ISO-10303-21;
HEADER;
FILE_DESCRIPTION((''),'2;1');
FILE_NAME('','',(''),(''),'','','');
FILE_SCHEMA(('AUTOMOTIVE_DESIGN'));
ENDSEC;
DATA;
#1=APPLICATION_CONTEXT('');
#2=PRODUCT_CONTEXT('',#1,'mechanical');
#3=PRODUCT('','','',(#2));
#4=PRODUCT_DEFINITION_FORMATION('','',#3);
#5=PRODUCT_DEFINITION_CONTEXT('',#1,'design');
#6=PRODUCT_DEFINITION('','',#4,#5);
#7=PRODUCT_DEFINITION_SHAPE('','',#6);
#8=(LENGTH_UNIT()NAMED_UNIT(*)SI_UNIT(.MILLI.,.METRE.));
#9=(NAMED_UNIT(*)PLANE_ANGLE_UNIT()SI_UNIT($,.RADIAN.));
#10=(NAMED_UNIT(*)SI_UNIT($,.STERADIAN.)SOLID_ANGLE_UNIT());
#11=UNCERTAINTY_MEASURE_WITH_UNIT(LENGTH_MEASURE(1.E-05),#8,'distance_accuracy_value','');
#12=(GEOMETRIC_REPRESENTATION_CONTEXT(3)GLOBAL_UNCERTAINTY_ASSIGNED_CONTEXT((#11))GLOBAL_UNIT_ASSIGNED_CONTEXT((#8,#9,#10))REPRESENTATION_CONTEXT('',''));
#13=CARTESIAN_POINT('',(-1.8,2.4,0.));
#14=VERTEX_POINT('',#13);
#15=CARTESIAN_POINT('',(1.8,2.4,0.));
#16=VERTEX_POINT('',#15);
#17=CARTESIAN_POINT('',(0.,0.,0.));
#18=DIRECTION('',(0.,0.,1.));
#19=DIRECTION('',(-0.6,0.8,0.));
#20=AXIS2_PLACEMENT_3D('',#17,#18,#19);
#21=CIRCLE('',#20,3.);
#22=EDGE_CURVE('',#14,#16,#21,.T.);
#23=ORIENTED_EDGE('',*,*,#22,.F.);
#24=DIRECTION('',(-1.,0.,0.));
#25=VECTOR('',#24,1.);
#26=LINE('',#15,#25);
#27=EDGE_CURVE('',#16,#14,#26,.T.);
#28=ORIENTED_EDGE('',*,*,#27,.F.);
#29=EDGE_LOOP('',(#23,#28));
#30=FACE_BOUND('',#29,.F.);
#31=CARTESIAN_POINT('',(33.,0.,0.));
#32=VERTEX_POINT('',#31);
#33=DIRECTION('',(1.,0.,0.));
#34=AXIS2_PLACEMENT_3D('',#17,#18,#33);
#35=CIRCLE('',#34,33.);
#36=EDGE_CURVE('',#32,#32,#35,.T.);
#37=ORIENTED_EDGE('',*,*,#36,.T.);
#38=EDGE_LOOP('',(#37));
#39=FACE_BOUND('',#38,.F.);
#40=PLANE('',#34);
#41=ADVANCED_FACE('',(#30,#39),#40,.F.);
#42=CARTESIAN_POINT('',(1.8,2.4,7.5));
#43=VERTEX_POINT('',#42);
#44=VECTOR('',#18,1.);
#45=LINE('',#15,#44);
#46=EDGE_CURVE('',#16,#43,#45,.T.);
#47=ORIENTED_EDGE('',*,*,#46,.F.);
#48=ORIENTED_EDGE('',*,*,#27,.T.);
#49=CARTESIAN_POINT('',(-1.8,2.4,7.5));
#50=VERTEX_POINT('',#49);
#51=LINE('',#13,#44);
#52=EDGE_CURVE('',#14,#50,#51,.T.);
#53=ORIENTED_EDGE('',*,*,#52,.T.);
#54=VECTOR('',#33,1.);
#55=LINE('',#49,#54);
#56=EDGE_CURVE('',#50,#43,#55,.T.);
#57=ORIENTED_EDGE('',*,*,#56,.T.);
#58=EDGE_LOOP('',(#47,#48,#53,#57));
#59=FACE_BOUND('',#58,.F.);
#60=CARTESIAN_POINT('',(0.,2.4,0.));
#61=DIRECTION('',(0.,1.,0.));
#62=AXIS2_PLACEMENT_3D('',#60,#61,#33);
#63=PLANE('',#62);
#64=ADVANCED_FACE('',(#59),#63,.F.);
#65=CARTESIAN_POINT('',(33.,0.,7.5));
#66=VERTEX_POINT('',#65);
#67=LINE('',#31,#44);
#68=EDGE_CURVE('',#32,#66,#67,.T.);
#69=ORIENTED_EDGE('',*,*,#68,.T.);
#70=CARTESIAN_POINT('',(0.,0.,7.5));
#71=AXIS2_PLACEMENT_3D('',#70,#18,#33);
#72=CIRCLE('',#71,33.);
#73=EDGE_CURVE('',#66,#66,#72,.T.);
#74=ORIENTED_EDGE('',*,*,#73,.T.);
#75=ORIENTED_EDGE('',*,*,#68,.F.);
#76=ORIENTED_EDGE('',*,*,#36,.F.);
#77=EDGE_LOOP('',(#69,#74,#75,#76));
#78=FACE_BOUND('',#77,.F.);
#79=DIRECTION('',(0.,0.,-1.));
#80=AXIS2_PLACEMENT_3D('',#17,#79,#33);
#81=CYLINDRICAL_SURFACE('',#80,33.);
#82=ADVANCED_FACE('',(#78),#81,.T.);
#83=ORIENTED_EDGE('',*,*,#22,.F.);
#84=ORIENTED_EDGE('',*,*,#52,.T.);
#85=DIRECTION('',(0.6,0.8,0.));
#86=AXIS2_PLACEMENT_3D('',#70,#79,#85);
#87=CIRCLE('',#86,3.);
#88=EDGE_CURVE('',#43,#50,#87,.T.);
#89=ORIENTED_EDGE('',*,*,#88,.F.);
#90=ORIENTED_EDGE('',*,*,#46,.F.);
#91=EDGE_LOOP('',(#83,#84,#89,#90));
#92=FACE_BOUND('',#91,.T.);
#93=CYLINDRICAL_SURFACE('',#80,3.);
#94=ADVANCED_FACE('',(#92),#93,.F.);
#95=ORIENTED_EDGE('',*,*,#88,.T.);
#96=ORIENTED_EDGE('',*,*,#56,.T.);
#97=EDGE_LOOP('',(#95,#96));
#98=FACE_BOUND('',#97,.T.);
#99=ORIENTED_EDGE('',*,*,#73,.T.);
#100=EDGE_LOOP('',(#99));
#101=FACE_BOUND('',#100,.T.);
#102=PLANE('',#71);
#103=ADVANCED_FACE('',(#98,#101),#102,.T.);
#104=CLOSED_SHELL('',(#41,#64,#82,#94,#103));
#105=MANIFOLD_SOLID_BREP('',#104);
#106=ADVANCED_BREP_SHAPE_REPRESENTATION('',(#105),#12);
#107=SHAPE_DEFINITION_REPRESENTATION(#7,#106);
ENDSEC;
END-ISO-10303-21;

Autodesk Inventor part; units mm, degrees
ref_plane "YZ Plane" through (0, 0, 0) normal (1, 0, 0) x (0, 1, 0)
ref_plane "XZ Plane" through (0, 0, 0) normal (0, 1, 0) x (-1, 0, 0)
ref_plane "XY Plane" through (0, 0, 0) normal (0, 0, 1) x (1, 0, 0)
sketch "スケッチ1" plane through (0, 0, 0) normal (0, 0, 1) x (1, 0, 0)
  circle A0 centre (0, 0) radius 33
  circle A1 centre (0, 0) radius 3
  line L0 (0, 2.4) -> (1.8, 2.4)
  line L1 (0, 2.4) -> (-1.8, 2.4)
  dimension "d0" = 66
  dimension "d1" = 6
  dimension "d2" = 2.4
extrude "押し出し1" add sketch "スケッチ1" along normal blind 7.5 contours A0 | L0 L1 A1 picked at (-1.016, 2.5094)
properties part number "タイヤ"
